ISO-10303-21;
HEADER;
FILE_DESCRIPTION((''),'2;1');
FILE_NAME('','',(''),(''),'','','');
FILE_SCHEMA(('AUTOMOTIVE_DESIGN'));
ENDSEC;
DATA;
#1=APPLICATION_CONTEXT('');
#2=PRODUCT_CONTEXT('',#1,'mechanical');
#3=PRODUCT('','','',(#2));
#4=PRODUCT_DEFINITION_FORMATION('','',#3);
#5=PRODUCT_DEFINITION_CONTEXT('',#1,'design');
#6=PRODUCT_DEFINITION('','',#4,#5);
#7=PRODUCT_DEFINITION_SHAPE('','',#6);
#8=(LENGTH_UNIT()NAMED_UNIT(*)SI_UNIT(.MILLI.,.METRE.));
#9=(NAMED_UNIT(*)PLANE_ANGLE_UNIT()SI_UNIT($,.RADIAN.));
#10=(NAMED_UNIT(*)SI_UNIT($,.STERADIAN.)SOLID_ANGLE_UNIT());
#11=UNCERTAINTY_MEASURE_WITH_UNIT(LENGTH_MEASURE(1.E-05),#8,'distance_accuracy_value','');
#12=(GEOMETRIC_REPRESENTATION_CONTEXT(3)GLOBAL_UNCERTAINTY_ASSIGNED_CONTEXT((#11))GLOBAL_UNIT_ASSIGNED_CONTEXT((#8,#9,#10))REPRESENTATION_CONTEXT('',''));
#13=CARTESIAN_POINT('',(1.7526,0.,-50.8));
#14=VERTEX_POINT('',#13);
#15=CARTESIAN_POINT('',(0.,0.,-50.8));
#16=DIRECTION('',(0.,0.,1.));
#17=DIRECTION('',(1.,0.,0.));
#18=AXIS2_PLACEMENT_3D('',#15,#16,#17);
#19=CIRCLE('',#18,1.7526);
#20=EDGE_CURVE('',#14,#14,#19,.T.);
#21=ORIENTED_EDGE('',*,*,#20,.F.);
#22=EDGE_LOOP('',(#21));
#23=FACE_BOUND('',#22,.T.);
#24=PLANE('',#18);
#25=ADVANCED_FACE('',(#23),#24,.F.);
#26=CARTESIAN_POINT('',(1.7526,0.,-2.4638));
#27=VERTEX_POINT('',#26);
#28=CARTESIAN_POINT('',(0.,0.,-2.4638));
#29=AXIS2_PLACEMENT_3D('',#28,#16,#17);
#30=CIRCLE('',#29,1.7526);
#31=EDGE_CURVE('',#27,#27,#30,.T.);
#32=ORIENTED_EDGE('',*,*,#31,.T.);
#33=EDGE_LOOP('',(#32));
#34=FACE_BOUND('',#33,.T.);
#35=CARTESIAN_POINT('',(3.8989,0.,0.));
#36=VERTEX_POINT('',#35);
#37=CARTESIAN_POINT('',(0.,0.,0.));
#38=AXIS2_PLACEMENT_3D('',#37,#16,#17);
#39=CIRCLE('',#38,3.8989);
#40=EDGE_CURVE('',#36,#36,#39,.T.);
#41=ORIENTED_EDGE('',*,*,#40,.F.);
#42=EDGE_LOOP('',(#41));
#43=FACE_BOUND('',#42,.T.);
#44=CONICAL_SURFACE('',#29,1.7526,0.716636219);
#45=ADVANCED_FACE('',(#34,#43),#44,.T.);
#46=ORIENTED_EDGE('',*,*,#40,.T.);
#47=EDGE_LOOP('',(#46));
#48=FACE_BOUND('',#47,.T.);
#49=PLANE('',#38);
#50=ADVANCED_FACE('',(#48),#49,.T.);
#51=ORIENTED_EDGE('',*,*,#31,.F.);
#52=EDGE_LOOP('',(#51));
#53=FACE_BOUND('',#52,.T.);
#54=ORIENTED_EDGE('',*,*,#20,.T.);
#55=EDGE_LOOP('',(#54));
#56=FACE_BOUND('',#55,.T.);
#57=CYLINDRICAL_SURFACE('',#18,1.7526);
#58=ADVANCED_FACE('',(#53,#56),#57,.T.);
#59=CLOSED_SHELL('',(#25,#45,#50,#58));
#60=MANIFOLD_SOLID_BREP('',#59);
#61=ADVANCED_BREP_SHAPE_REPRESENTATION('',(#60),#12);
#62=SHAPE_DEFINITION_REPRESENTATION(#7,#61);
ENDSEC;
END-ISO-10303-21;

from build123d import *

# Parameters (mm, degrees)
SKETCH1_R           = 1.7526
BOSS_EXTRUDE1_DEPTH = 50.8


with BuildPart() as part:
    # Sketch1 → Boss-Extrude1 (new body)
    with BuildSketch(Plane.XY):
        Circle(SKETCH1_R)
    extrude(amount=-BOSS_EXTRUDE1_DEPTH)

    # Sketch3 → Revolve1 (revolve)
    with BuildSketch(Plane(origin=(0, 0, 0), x_dir=(0, 0, -1), z_dir=(1, 0, 0))):
        Polygon((0, 0), (2.4638, 0), (2.4638, 1.7526), (0, 3.8989), align=None)
    revolve(axis=Axis((0, 0, 0), (0, 0, -1)))


solid = part.part
